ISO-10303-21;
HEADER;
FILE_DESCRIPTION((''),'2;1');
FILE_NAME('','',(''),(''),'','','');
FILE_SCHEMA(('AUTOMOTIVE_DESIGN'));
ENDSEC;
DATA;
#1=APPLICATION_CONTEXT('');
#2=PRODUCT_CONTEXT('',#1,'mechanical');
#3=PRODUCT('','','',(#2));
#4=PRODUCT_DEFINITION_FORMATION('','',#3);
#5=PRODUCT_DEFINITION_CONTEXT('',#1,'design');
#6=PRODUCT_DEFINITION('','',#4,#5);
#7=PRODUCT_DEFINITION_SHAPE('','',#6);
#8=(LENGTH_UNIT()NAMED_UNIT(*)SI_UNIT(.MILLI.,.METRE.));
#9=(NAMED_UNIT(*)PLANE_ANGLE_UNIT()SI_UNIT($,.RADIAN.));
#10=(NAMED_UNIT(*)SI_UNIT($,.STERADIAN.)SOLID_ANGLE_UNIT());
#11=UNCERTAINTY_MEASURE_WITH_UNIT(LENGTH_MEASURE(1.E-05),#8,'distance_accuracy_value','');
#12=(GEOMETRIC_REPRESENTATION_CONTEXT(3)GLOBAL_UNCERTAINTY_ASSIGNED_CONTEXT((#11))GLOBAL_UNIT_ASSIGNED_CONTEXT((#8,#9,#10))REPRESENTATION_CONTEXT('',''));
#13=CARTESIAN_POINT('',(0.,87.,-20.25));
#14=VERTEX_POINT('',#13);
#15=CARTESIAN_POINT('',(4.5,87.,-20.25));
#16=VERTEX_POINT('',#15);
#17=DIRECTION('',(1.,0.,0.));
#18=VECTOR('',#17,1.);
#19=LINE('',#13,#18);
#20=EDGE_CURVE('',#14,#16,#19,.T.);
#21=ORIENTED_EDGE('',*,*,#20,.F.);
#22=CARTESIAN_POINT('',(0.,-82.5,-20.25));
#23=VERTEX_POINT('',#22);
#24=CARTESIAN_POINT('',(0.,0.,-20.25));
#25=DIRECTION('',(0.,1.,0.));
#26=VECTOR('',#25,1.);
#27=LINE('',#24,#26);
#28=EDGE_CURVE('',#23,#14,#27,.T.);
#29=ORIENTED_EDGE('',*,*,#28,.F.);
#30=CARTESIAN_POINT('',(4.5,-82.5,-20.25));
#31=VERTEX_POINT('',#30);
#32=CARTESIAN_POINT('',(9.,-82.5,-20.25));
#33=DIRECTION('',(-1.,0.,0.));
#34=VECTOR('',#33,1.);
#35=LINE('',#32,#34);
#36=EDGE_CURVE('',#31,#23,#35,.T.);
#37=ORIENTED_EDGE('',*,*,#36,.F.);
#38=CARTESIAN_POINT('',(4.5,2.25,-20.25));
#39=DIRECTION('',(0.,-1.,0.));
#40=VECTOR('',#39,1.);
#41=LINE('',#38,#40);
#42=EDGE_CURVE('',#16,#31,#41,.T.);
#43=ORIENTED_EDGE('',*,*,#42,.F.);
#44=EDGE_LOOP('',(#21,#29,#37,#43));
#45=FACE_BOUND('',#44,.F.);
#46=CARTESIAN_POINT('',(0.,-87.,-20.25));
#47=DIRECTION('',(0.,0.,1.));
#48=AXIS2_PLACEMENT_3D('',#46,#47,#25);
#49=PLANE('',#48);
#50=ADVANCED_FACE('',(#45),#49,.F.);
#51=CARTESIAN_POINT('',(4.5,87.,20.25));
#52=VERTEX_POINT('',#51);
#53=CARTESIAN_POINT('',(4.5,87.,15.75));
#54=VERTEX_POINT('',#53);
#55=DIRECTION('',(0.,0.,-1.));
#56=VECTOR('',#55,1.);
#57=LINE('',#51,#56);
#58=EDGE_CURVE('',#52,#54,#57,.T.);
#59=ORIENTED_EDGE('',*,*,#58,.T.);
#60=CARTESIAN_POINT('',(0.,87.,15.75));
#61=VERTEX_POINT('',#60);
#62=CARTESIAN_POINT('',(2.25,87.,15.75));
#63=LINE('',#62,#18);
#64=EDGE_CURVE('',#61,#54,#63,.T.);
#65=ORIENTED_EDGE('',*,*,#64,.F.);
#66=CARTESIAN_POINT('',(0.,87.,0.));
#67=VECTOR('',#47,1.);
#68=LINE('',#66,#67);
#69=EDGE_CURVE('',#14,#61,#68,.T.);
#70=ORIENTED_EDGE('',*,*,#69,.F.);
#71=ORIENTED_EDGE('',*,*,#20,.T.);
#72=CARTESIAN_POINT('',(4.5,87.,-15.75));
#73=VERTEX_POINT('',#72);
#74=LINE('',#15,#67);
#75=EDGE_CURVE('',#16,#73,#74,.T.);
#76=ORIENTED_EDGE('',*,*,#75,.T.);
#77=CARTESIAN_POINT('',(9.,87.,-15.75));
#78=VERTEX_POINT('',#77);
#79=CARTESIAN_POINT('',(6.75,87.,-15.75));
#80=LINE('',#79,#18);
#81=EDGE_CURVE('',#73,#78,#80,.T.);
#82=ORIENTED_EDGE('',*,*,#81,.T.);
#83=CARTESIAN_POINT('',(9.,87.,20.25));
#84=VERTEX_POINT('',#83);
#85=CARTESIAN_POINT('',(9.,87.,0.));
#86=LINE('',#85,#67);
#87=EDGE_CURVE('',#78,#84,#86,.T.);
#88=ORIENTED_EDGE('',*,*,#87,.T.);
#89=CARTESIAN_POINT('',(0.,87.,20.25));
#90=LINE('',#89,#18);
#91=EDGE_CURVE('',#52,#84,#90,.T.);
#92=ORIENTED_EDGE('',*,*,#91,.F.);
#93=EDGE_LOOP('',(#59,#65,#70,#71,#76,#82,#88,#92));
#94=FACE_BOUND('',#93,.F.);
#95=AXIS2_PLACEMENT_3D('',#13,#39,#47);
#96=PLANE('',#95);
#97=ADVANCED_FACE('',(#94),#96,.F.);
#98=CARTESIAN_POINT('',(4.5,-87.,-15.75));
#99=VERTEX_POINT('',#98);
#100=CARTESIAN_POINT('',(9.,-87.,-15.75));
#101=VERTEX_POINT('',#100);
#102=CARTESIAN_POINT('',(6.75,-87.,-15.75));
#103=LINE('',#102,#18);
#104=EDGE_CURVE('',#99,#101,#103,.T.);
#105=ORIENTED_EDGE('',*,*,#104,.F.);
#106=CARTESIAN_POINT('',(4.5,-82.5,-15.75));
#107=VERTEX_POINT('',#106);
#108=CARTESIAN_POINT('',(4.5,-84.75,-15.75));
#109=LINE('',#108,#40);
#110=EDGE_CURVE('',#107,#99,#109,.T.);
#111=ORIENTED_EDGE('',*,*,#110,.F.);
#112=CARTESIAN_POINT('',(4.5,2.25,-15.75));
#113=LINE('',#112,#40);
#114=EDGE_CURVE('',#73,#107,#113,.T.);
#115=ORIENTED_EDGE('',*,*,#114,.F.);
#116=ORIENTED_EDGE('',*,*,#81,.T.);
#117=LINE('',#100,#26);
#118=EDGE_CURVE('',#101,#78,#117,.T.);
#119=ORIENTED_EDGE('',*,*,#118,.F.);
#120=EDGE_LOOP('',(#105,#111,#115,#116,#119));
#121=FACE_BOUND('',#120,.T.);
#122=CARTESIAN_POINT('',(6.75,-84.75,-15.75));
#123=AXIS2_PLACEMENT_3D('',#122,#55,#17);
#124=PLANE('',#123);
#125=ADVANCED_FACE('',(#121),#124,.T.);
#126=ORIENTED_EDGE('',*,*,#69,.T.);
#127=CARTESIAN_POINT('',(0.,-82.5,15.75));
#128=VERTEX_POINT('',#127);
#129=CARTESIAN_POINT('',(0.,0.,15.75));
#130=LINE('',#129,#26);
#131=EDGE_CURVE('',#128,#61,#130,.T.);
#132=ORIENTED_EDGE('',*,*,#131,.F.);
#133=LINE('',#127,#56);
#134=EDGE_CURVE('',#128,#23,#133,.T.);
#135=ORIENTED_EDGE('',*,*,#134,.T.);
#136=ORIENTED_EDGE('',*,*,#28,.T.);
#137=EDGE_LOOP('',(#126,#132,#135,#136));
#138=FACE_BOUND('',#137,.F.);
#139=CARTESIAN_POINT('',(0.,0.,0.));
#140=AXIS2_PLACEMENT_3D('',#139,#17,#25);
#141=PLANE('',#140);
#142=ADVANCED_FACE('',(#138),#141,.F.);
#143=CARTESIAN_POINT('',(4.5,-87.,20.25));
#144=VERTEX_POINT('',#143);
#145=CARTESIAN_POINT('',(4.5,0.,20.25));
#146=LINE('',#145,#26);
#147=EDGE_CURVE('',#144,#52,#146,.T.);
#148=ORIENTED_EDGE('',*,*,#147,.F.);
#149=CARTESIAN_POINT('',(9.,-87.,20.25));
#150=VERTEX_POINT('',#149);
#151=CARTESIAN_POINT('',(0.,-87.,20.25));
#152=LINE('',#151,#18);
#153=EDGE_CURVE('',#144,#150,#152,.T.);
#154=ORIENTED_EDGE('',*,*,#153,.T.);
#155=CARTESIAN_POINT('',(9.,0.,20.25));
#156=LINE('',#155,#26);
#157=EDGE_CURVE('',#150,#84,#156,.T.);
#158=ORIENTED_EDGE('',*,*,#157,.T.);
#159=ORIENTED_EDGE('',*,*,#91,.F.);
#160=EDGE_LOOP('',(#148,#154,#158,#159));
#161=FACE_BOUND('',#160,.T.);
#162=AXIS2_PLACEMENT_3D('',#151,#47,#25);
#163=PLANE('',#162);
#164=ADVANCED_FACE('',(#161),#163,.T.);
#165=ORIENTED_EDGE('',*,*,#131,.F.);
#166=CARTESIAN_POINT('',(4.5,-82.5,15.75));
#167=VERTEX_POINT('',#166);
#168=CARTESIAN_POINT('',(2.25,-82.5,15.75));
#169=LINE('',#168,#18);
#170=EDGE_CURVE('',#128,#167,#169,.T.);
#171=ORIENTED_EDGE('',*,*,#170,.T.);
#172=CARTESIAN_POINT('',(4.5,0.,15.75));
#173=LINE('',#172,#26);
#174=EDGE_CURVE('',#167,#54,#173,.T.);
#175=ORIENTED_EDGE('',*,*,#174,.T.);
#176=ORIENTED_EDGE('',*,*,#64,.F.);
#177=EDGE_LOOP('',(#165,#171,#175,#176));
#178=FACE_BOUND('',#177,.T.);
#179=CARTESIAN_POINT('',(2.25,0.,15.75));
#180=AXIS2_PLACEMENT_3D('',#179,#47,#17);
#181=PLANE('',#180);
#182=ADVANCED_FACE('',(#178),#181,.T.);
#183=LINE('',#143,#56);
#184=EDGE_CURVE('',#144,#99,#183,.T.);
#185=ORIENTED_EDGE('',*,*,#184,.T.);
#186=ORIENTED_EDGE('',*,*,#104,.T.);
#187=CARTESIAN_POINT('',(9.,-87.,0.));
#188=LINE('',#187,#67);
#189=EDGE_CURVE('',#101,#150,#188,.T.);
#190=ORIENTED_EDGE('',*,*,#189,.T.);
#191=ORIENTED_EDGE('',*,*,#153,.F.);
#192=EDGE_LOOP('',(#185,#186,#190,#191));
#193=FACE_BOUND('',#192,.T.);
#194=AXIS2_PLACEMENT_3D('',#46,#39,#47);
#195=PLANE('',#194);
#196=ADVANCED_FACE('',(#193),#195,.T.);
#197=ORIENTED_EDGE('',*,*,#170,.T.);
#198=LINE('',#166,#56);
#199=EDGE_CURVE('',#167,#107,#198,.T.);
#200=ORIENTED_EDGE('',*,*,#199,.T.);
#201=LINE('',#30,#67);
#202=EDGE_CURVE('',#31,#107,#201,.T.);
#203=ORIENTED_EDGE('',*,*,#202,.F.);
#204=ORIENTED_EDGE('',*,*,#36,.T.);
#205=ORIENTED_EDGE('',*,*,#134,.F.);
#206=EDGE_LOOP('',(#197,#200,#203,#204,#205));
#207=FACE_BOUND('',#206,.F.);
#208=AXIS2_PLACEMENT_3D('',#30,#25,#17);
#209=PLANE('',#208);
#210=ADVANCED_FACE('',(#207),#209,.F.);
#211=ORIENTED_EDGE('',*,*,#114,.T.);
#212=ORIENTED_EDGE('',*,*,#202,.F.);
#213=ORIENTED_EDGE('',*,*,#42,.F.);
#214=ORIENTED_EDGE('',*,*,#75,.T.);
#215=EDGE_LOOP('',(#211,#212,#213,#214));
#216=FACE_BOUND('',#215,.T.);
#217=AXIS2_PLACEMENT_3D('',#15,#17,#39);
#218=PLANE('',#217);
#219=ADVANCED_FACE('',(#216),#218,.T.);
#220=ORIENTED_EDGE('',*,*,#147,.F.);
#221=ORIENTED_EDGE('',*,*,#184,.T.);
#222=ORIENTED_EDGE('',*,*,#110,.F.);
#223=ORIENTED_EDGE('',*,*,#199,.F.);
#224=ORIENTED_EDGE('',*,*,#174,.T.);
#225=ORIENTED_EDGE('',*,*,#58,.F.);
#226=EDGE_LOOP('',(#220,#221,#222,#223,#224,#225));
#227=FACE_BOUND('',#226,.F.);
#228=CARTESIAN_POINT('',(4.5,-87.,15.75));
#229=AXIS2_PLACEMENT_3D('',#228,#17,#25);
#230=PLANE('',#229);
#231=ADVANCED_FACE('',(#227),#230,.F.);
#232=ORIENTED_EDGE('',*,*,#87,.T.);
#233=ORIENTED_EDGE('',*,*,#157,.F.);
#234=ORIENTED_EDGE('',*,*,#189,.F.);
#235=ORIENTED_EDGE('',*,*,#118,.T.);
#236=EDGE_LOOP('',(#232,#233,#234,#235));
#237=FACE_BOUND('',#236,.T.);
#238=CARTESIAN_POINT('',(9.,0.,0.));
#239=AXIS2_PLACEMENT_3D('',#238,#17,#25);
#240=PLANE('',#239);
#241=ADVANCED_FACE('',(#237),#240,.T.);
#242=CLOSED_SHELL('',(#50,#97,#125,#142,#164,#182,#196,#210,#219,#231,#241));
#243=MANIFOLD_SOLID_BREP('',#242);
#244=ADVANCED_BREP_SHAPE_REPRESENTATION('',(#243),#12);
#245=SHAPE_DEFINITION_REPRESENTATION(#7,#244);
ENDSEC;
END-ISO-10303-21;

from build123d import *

# Parameters (mm, degrees)
F0_W     = 174
F0_H     = 40.5
F1_DEPTH = 9
F2_W     = 4.5
F2_H     = 174
F3_DEPTH = 4.5
F4_W     = 4.5
F4_H     = 4.5
F5_DEPTH = 36
F6_W     = 4.5
F6_H     = 4.5
F7_DEPTH = 4.5
F8_W     = 4.5
F8_H     = 169.5
F9_DEPTH = 4.5


with BuildPart() as f1:
    # F0 (on Right) → F1 (new body)
    with BuildSketch(Plane.YZ):
        Rectangle(F0_W, F0_H)
    extrude(amount=F1_DEPTH)

    # F2 (on face) → F3 (cut)
    with BuildSketch(Plane.XY.offset(20.25)):
        with Locations((2.25, 0)):
            Rectangle(F2_W, F2_H)
    extrude(amount=-F3_DEPTH, mode=Mode.SUBTRACT)

    # F4 (on face) → F5 (cut, through all)
    with BuildSketch(Plane.XY.offset(15.75)):
        with Locations((2.25, -84.75)):
            Rectangle(F4_W, F4_H)
    extrude(amount=-F5_DEPTH, mode=Mode.SUBTRACT)

    # F6 (on face) → F7 (cut)
    with BuildSketch(Plane(origin=(0, 0, -20.25), x_dir=(1, 0, 0), z_dir=(0, 0, -1))):
        with Locations((6.75, 84.75)):
            Rectangle(F6_W, F6_H)
    extrude(amount=-F7_DEPTH, mode=Mode.SUBTRACT)

    # F8 (on face) → F9 (cut)
    with BuildSketch(Plane(origin=(0, 0, -20.25), x_dir=(1, 0, 0), z_dir=(0, 0, -1))):
        with Locations((6.75, -2.25)):
            Rectangle(F8_W, F8_H)
    extrude(amount=-F9_DEPTH, mode=Mode.SUBTRACT)


solid = f1.part
